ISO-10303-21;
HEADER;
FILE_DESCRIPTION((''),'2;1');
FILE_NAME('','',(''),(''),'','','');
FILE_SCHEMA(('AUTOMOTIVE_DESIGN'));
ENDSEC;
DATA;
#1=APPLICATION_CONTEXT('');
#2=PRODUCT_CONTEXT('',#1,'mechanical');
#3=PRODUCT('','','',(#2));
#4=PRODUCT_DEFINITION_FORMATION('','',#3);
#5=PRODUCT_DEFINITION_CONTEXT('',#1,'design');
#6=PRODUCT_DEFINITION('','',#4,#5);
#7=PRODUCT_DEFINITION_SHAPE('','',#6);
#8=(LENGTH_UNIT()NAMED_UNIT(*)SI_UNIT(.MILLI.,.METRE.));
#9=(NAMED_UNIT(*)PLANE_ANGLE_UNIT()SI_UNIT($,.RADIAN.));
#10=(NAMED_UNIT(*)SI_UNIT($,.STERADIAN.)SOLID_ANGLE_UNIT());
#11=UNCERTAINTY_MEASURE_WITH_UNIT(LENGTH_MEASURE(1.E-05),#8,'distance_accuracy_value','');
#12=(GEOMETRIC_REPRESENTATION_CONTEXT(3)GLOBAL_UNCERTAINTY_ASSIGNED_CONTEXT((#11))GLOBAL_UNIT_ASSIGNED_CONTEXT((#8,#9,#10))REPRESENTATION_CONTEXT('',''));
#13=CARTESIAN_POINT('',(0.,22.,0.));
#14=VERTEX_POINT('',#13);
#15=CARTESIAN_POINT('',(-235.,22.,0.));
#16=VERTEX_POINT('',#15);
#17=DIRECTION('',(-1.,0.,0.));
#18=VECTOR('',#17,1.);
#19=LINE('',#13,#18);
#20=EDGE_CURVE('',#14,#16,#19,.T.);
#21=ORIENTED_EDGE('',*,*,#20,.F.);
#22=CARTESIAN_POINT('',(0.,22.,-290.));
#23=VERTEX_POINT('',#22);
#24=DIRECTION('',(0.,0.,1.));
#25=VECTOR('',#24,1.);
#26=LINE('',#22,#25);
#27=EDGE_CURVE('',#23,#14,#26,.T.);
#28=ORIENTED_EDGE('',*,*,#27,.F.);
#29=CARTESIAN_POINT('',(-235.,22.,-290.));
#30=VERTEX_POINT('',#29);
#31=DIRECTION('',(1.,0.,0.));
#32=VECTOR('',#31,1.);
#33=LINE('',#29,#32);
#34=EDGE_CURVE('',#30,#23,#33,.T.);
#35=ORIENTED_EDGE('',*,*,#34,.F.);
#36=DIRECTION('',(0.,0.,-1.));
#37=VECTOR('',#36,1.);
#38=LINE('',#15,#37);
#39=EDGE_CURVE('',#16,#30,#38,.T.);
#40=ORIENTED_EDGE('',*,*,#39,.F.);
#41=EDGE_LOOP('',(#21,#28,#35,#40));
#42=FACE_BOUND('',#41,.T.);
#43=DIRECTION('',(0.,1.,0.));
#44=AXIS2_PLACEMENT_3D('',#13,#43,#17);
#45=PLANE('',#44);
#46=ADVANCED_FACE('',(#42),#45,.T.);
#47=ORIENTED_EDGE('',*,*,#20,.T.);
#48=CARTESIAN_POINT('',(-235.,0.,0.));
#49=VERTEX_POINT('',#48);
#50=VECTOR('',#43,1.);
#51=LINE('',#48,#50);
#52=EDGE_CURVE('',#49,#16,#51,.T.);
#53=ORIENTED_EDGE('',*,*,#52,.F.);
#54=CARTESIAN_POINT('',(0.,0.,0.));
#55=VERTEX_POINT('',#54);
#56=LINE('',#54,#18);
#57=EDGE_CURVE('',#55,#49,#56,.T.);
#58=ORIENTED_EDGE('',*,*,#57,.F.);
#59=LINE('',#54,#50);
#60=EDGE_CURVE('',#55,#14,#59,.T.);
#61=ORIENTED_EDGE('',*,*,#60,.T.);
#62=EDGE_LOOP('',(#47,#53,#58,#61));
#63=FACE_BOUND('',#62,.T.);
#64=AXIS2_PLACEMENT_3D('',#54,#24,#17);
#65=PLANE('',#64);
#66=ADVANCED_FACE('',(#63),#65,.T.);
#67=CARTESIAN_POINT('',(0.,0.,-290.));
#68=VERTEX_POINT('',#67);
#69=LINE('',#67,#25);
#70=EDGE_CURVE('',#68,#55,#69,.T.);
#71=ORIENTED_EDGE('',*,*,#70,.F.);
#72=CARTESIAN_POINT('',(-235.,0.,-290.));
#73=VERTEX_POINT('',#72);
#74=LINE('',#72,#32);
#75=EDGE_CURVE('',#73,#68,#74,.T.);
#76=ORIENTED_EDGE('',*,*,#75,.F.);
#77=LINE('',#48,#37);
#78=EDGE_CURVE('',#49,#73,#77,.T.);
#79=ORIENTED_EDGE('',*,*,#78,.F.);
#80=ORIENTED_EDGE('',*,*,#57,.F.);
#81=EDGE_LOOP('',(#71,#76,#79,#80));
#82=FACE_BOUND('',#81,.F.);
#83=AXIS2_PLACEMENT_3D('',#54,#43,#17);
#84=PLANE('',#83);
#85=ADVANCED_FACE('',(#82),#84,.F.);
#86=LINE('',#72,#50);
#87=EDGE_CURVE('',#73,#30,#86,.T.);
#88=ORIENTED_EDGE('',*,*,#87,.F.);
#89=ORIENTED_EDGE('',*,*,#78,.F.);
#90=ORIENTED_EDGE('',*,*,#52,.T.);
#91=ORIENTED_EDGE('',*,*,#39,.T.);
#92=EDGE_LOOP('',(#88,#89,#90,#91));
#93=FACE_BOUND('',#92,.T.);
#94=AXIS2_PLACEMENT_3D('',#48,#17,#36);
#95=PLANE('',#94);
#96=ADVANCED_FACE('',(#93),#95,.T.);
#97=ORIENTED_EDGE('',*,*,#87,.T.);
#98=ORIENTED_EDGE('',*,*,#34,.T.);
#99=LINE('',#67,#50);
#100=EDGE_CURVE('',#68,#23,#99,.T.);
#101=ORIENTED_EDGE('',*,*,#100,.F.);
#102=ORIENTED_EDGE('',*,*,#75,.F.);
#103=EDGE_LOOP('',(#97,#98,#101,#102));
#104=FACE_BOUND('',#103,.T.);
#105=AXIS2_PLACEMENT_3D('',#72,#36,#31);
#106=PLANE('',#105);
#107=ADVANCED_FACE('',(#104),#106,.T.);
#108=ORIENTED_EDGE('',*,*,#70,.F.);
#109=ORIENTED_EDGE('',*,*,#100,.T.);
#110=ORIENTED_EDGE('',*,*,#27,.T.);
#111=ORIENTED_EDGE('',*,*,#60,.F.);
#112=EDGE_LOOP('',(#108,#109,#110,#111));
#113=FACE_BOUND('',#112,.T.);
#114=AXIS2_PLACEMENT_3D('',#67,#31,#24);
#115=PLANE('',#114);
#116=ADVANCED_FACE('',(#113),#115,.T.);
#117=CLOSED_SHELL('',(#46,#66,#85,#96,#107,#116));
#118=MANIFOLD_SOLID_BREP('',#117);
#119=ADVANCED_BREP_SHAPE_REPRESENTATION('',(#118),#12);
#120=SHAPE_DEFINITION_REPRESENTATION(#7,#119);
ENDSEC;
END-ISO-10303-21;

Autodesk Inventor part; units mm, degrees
ref_plane "YZ Plane" through (0, 0, 0) normal (1, 0, 0) x (0, 1, 0)
ref_plane "XZ Plane" through (0, 0, 0) normal (0, 1, 0) x (-1, 0, 0)
ref_plane "XY Plane" through (0, 0, 0) normal (0, 0, 1) x (1, 0, 0)
sketch "Эскиз3" plane through (0, 0, 0) normal (0, 1, 0) x (-1, 0, 0)
  line L0 (0, 0) -> (235, 0)
  line L1 (235, 0) -> (235, -290)
  line L2 (235, -290) -> (0, -290)
  line L3 (0, -290) -> (0, 0)
  dimension "d4" = 235
  dimension "d5" = 290
extrude "Выдавливание2" add sketch "Эскиз3" along normal blind 22
properties part number "N_Bottom" material "Древесно-стружечная плита"
